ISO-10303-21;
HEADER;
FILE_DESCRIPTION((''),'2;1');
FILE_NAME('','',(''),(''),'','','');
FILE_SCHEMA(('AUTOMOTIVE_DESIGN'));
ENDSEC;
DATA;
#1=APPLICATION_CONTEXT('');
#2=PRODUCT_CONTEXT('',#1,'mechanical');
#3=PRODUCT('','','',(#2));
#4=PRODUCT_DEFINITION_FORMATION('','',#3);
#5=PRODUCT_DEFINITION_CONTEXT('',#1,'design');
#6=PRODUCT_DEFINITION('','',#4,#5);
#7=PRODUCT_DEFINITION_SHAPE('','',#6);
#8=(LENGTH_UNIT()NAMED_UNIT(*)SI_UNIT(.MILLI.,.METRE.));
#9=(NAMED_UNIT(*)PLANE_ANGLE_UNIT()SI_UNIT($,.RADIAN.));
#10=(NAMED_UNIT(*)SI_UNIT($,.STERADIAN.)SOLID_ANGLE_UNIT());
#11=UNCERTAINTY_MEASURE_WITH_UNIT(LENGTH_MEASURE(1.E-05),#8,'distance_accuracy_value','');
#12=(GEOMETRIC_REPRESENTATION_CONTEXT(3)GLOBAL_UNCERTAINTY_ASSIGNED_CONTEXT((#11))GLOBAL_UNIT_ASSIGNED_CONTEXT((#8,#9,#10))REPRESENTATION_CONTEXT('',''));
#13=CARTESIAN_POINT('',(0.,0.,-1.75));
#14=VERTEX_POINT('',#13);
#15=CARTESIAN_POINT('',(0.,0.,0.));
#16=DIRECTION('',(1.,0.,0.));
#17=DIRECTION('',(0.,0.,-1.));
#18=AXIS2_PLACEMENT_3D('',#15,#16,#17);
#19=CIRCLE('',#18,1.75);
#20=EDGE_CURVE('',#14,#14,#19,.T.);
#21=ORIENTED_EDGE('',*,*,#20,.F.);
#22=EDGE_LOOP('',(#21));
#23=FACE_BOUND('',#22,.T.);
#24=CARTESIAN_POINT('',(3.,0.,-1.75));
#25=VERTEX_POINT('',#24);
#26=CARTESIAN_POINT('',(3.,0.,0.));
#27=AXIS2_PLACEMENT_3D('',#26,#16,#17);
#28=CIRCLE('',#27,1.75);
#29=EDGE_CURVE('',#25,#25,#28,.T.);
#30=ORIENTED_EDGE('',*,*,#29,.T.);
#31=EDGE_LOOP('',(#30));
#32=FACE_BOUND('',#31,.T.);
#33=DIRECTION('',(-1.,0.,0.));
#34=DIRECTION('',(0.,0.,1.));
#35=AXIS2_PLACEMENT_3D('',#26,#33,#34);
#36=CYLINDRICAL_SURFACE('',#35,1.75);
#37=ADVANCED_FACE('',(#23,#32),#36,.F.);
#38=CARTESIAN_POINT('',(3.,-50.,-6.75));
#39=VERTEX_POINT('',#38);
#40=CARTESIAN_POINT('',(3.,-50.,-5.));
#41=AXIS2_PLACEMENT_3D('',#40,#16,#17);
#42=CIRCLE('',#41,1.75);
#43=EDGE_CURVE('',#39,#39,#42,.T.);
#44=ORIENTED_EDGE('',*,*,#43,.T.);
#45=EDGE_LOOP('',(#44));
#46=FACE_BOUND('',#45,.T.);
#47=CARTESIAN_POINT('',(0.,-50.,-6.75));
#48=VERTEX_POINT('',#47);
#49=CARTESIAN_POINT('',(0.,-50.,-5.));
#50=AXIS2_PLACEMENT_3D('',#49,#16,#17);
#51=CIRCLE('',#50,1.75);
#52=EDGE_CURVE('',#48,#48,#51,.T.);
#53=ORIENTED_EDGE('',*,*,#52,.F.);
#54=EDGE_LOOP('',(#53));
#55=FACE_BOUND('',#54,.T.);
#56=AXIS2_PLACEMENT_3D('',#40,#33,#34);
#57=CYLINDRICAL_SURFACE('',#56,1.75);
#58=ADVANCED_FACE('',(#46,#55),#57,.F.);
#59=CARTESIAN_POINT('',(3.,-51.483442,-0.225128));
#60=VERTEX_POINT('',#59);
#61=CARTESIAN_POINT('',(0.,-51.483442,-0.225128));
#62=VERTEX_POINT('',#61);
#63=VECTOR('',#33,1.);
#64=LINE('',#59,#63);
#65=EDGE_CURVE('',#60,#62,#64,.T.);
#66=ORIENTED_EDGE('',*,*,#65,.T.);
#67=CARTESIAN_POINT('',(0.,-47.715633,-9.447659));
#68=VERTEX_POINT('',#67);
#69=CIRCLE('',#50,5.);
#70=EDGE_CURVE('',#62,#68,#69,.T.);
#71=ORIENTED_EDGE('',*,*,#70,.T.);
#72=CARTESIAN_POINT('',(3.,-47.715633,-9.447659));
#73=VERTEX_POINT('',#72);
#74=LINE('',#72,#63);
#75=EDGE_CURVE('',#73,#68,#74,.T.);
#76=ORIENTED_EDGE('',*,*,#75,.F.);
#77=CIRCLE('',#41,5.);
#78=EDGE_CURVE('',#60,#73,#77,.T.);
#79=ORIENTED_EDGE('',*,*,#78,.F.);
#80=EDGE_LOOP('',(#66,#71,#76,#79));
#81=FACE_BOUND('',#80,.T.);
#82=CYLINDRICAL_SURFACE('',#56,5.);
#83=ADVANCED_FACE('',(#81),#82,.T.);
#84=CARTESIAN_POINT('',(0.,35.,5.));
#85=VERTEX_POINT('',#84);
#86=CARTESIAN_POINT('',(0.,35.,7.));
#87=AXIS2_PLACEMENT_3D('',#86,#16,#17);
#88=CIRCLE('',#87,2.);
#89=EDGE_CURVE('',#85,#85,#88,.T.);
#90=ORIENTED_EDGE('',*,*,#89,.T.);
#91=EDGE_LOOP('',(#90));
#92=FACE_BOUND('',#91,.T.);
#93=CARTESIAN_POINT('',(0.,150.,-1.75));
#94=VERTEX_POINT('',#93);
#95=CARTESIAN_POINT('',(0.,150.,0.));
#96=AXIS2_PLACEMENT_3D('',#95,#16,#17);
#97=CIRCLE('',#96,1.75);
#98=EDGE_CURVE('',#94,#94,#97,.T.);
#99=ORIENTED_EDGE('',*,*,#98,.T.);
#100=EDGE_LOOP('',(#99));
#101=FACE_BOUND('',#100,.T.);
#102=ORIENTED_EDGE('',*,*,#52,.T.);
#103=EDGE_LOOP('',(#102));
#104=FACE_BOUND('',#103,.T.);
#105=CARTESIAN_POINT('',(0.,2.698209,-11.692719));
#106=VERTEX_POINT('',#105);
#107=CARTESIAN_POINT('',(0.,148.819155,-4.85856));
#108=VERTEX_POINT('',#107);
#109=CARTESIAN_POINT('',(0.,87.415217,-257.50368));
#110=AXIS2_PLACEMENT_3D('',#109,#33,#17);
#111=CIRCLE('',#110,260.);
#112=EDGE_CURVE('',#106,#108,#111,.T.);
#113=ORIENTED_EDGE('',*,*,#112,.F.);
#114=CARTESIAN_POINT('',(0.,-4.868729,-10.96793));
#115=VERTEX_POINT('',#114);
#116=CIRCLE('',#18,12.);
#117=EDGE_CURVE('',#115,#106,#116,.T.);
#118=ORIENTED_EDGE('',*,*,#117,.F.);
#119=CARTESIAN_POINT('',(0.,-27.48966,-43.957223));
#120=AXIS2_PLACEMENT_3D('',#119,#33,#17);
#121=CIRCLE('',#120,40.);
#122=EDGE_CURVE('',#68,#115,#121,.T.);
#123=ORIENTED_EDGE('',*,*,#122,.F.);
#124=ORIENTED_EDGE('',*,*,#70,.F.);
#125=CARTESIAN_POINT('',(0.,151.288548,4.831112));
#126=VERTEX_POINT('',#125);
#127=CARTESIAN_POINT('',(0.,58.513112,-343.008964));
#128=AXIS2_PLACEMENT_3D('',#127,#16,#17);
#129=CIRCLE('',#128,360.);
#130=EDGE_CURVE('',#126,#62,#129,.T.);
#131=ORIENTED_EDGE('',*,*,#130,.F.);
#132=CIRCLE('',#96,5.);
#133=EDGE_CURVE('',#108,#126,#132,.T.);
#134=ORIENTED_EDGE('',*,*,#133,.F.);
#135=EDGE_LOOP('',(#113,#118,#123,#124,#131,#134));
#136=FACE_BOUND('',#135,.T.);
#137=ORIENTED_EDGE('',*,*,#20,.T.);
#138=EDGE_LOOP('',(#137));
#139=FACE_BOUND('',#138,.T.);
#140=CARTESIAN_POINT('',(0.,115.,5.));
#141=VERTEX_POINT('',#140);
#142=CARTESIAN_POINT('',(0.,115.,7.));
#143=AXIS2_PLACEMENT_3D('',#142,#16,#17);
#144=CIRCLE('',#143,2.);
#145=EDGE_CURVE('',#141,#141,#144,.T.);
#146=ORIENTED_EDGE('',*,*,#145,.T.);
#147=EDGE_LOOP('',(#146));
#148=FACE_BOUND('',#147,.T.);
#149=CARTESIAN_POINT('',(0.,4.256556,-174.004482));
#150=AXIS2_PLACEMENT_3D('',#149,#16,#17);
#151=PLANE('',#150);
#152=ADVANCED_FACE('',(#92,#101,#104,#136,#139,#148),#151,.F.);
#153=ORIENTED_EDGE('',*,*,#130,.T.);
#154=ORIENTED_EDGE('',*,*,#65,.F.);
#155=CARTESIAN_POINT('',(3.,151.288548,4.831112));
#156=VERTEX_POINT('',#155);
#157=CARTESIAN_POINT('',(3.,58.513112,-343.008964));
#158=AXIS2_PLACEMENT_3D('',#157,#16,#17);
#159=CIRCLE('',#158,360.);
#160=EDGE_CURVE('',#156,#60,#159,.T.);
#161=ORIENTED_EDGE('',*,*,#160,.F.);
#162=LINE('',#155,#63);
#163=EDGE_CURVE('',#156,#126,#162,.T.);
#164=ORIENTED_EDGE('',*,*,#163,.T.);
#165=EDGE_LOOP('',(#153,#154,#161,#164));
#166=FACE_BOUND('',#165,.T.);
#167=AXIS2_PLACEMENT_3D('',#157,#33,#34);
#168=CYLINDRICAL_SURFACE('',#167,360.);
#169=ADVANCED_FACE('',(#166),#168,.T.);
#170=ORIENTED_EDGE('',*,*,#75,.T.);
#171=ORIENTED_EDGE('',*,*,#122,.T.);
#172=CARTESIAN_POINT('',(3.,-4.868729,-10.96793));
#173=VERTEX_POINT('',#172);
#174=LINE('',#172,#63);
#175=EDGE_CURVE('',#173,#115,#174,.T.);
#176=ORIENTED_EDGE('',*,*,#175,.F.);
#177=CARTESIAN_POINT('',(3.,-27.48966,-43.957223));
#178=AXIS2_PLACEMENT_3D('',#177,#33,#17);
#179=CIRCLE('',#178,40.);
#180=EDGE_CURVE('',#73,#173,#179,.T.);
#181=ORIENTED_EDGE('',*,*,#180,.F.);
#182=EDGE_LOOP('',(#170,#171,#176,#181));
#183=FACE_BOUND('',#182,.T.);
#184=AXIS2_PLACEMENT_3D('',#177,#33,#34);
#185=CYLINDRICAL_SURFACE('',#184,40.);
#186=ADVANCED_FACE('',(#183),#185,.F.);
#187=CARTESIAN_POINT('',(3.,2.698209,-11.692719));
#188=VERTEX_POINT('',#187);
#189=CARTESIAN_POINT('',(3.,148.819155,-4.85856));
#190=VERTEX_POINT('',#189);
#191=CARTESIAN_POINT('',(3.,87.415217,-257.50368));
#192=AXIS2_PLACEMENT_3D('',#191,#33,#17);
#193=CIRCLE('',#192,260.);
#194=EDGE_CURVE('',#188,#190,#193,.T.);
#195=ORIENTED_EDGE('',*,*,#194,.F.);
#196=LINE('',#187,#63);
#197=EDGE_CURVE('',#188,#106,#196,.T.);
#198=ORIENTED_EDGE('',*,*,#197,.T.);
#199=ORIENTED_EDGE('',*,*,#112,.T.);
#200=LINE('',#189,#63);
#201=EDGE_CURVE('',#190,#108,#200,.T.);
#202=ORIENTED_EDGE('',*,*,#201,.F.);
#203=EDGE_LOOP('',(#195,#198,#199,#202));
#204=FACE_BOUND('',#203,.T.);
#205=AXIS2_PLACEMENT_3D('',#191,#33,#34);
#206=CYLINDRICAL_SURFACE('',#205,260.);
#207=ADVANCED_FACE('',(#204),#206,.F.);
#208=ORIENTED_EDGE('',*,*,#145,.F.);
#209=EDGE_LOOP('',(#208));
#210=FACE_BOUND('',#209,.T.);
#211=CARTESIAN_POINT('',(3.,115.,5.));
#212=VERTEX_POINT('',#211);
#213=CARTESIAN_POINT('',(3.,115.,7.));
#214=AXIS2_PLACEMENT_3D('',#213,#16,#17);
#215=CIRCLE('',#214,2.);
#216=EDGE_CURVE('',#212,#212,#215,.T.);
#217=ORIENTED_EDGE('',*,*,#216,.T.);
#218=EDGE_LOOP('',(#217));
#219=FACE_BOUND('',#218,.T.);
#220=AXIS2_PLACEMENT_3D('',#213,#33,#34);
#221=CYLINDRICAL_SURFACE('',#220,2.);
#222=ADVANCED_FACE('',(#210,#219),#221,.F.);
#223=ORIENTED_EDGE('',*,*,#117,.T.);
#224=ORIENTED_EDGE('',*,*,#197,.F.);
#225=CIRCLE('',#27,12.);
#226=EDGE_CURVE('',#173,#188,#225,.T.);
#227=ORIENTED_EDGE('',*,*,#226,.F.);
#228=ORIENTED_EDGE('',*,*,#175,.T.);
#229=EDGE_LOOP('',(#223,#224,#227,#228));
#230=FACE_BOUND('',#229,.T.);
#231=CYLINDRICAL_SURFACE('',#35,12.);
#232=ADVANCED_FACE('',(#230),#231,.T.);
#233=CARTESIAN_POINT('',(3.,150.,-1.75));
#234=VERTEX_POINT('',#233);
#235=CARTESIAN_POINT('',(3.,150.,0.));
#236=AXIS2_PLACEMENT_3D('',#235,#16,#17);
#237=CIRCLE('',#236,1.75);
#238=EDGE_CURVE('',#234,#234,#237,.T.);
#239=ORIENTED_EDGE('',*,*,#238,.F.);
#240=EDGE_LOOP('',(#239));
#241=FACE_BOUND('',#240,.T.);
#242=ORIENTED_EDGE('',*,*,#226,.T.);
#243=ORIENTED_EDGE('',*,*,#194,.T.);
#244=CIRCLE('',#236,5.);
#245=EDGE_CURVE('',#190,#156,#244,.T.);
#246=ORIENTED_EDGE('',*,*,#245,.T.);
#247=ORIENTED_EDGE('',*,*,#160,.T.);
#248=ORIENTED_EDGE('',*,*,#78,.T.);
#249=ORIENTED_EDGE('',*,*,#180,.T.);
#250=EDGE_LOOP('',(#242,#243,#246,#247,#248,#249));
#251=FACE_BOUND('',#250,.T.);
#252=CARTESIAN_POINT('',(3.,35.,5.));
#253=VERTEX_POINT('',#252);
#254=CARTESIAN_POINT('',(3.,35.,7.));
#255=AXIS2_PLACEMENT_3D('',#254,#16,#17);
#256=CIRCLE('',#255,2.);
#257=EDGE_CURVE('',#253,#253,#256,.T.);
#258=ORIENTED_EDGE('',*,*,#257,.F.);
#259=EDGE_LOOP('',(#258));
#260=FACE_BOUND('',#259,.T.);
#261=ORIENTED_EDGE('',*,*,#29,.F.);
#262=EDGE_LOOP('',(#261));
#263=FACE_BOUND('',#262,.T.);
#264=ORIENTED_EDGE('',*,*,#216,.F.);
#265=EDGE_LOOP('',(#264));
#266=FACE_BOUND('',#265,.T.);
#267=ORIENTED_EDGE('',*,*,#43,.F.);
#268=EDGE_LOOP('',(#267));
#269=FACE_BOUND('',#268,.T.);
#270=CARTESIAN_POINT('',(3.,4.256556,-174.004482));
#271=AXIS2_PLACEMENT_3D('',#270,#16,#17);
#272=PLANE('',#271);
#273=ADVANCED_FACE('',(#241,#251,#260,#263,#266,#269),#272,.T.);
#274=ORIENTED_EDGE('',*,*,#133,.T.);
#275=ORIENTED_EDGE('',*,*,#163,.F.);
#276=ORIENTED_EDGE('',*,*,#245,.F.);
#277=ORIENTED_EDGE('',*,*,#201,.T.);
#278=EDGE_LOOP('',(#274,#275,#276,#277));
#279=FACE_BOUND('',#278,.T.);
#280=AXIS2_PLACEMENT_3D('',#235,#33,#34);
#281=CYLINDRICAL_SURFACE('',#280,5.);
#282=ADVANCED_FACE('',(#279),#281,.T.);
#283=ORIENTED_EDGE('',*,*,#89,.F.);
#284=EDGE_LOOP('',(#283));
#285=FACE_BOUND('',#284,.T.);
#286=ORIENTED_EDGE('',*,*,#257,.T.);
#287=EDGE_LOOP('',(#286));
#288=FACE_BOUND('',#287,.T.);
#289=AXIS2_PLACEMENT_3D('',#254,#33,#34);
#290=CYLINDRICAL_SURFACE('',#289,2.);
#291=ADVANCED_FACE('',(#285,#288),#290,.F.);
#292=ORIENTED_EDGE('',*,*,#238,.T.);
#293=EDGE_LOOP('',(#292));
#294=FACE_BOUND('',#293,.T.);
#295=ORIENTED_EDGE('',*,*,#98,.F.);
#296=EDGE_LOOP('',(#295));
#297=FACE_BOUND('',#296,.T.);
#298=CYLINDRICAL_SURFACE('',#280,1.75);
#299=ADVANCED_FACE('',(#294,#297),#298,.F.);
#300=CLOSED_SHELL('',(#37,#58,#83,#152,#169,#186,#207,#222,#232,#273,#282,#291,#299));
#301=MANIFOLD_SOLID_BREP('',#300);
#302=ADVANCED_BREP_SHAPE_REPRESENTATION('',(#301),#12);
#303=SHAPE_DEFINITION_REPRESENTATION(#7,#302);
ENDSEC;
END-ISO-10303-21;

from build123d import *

# Parameters (mm, degrees)
CROQUIS1_R              = 1.75
CROQUIS1_R_2            = 2
SALIENTE_EXTRUIR1_DEPTH = 3


with BuildPart() as part:
    # Croquis1 → Saliente-Extruir1 (new body)
    with BuildSketch(Plane(origin=(0, 0, 0), x_dir=(0, 0, -1), z_dir=(1, 0, 0))):
        with BuildLine():
            ThreePointArc((0.225128417, -51.483442404), (6.890995422, -54.628621427), (9.447658726, -47.71563316))
            ThreePointArc((9.447658726, -47.71563316), (3.98237778, -26.07129422), (10.967929509, -4.868729021))
            ThreePointArc((10.967929509, -4.868729021), (11.945328824, -1.144167506), (11.692718634, 2.698208841))
            ThreePointArc((11.692718634, 2.698208841), (-2.21241308, 75.268149846), (4.858559991, 148.819155042))
            ThreePointArc((4.858559991, 148.819155042), (1.234772605, 154.845135355), (-4.831112169, 151.288547713))
            ThreePointArc((-4.831112169, 151.288547713), (-16.879167042, 49.539087028), (0.225128417, -51.483442404))
        make_face()
        with Locations((5, -50)):
            Circle(CROQUIS1_R, mode=Mode.SUBTRACT)
        with Locations((0, 150)):
            Circle(CROQUIS1_R, mode=Mode.SUBTRACT)
        Circle(CROQUIS1_R, mode=Mode.SUBTRACT)
        with Locations((-7, 35)):
            Circle(CROQUIS1_R_2, mode=Mode.SUBTRACT)
        with Locations((-7, 115)):
            Circle(CROQUIS1_R_2, mode=Mode.SUBTRACT)
    extrude(amount=SALIENTE_EXTRUIR1_DEPTH)


solid = part.part
